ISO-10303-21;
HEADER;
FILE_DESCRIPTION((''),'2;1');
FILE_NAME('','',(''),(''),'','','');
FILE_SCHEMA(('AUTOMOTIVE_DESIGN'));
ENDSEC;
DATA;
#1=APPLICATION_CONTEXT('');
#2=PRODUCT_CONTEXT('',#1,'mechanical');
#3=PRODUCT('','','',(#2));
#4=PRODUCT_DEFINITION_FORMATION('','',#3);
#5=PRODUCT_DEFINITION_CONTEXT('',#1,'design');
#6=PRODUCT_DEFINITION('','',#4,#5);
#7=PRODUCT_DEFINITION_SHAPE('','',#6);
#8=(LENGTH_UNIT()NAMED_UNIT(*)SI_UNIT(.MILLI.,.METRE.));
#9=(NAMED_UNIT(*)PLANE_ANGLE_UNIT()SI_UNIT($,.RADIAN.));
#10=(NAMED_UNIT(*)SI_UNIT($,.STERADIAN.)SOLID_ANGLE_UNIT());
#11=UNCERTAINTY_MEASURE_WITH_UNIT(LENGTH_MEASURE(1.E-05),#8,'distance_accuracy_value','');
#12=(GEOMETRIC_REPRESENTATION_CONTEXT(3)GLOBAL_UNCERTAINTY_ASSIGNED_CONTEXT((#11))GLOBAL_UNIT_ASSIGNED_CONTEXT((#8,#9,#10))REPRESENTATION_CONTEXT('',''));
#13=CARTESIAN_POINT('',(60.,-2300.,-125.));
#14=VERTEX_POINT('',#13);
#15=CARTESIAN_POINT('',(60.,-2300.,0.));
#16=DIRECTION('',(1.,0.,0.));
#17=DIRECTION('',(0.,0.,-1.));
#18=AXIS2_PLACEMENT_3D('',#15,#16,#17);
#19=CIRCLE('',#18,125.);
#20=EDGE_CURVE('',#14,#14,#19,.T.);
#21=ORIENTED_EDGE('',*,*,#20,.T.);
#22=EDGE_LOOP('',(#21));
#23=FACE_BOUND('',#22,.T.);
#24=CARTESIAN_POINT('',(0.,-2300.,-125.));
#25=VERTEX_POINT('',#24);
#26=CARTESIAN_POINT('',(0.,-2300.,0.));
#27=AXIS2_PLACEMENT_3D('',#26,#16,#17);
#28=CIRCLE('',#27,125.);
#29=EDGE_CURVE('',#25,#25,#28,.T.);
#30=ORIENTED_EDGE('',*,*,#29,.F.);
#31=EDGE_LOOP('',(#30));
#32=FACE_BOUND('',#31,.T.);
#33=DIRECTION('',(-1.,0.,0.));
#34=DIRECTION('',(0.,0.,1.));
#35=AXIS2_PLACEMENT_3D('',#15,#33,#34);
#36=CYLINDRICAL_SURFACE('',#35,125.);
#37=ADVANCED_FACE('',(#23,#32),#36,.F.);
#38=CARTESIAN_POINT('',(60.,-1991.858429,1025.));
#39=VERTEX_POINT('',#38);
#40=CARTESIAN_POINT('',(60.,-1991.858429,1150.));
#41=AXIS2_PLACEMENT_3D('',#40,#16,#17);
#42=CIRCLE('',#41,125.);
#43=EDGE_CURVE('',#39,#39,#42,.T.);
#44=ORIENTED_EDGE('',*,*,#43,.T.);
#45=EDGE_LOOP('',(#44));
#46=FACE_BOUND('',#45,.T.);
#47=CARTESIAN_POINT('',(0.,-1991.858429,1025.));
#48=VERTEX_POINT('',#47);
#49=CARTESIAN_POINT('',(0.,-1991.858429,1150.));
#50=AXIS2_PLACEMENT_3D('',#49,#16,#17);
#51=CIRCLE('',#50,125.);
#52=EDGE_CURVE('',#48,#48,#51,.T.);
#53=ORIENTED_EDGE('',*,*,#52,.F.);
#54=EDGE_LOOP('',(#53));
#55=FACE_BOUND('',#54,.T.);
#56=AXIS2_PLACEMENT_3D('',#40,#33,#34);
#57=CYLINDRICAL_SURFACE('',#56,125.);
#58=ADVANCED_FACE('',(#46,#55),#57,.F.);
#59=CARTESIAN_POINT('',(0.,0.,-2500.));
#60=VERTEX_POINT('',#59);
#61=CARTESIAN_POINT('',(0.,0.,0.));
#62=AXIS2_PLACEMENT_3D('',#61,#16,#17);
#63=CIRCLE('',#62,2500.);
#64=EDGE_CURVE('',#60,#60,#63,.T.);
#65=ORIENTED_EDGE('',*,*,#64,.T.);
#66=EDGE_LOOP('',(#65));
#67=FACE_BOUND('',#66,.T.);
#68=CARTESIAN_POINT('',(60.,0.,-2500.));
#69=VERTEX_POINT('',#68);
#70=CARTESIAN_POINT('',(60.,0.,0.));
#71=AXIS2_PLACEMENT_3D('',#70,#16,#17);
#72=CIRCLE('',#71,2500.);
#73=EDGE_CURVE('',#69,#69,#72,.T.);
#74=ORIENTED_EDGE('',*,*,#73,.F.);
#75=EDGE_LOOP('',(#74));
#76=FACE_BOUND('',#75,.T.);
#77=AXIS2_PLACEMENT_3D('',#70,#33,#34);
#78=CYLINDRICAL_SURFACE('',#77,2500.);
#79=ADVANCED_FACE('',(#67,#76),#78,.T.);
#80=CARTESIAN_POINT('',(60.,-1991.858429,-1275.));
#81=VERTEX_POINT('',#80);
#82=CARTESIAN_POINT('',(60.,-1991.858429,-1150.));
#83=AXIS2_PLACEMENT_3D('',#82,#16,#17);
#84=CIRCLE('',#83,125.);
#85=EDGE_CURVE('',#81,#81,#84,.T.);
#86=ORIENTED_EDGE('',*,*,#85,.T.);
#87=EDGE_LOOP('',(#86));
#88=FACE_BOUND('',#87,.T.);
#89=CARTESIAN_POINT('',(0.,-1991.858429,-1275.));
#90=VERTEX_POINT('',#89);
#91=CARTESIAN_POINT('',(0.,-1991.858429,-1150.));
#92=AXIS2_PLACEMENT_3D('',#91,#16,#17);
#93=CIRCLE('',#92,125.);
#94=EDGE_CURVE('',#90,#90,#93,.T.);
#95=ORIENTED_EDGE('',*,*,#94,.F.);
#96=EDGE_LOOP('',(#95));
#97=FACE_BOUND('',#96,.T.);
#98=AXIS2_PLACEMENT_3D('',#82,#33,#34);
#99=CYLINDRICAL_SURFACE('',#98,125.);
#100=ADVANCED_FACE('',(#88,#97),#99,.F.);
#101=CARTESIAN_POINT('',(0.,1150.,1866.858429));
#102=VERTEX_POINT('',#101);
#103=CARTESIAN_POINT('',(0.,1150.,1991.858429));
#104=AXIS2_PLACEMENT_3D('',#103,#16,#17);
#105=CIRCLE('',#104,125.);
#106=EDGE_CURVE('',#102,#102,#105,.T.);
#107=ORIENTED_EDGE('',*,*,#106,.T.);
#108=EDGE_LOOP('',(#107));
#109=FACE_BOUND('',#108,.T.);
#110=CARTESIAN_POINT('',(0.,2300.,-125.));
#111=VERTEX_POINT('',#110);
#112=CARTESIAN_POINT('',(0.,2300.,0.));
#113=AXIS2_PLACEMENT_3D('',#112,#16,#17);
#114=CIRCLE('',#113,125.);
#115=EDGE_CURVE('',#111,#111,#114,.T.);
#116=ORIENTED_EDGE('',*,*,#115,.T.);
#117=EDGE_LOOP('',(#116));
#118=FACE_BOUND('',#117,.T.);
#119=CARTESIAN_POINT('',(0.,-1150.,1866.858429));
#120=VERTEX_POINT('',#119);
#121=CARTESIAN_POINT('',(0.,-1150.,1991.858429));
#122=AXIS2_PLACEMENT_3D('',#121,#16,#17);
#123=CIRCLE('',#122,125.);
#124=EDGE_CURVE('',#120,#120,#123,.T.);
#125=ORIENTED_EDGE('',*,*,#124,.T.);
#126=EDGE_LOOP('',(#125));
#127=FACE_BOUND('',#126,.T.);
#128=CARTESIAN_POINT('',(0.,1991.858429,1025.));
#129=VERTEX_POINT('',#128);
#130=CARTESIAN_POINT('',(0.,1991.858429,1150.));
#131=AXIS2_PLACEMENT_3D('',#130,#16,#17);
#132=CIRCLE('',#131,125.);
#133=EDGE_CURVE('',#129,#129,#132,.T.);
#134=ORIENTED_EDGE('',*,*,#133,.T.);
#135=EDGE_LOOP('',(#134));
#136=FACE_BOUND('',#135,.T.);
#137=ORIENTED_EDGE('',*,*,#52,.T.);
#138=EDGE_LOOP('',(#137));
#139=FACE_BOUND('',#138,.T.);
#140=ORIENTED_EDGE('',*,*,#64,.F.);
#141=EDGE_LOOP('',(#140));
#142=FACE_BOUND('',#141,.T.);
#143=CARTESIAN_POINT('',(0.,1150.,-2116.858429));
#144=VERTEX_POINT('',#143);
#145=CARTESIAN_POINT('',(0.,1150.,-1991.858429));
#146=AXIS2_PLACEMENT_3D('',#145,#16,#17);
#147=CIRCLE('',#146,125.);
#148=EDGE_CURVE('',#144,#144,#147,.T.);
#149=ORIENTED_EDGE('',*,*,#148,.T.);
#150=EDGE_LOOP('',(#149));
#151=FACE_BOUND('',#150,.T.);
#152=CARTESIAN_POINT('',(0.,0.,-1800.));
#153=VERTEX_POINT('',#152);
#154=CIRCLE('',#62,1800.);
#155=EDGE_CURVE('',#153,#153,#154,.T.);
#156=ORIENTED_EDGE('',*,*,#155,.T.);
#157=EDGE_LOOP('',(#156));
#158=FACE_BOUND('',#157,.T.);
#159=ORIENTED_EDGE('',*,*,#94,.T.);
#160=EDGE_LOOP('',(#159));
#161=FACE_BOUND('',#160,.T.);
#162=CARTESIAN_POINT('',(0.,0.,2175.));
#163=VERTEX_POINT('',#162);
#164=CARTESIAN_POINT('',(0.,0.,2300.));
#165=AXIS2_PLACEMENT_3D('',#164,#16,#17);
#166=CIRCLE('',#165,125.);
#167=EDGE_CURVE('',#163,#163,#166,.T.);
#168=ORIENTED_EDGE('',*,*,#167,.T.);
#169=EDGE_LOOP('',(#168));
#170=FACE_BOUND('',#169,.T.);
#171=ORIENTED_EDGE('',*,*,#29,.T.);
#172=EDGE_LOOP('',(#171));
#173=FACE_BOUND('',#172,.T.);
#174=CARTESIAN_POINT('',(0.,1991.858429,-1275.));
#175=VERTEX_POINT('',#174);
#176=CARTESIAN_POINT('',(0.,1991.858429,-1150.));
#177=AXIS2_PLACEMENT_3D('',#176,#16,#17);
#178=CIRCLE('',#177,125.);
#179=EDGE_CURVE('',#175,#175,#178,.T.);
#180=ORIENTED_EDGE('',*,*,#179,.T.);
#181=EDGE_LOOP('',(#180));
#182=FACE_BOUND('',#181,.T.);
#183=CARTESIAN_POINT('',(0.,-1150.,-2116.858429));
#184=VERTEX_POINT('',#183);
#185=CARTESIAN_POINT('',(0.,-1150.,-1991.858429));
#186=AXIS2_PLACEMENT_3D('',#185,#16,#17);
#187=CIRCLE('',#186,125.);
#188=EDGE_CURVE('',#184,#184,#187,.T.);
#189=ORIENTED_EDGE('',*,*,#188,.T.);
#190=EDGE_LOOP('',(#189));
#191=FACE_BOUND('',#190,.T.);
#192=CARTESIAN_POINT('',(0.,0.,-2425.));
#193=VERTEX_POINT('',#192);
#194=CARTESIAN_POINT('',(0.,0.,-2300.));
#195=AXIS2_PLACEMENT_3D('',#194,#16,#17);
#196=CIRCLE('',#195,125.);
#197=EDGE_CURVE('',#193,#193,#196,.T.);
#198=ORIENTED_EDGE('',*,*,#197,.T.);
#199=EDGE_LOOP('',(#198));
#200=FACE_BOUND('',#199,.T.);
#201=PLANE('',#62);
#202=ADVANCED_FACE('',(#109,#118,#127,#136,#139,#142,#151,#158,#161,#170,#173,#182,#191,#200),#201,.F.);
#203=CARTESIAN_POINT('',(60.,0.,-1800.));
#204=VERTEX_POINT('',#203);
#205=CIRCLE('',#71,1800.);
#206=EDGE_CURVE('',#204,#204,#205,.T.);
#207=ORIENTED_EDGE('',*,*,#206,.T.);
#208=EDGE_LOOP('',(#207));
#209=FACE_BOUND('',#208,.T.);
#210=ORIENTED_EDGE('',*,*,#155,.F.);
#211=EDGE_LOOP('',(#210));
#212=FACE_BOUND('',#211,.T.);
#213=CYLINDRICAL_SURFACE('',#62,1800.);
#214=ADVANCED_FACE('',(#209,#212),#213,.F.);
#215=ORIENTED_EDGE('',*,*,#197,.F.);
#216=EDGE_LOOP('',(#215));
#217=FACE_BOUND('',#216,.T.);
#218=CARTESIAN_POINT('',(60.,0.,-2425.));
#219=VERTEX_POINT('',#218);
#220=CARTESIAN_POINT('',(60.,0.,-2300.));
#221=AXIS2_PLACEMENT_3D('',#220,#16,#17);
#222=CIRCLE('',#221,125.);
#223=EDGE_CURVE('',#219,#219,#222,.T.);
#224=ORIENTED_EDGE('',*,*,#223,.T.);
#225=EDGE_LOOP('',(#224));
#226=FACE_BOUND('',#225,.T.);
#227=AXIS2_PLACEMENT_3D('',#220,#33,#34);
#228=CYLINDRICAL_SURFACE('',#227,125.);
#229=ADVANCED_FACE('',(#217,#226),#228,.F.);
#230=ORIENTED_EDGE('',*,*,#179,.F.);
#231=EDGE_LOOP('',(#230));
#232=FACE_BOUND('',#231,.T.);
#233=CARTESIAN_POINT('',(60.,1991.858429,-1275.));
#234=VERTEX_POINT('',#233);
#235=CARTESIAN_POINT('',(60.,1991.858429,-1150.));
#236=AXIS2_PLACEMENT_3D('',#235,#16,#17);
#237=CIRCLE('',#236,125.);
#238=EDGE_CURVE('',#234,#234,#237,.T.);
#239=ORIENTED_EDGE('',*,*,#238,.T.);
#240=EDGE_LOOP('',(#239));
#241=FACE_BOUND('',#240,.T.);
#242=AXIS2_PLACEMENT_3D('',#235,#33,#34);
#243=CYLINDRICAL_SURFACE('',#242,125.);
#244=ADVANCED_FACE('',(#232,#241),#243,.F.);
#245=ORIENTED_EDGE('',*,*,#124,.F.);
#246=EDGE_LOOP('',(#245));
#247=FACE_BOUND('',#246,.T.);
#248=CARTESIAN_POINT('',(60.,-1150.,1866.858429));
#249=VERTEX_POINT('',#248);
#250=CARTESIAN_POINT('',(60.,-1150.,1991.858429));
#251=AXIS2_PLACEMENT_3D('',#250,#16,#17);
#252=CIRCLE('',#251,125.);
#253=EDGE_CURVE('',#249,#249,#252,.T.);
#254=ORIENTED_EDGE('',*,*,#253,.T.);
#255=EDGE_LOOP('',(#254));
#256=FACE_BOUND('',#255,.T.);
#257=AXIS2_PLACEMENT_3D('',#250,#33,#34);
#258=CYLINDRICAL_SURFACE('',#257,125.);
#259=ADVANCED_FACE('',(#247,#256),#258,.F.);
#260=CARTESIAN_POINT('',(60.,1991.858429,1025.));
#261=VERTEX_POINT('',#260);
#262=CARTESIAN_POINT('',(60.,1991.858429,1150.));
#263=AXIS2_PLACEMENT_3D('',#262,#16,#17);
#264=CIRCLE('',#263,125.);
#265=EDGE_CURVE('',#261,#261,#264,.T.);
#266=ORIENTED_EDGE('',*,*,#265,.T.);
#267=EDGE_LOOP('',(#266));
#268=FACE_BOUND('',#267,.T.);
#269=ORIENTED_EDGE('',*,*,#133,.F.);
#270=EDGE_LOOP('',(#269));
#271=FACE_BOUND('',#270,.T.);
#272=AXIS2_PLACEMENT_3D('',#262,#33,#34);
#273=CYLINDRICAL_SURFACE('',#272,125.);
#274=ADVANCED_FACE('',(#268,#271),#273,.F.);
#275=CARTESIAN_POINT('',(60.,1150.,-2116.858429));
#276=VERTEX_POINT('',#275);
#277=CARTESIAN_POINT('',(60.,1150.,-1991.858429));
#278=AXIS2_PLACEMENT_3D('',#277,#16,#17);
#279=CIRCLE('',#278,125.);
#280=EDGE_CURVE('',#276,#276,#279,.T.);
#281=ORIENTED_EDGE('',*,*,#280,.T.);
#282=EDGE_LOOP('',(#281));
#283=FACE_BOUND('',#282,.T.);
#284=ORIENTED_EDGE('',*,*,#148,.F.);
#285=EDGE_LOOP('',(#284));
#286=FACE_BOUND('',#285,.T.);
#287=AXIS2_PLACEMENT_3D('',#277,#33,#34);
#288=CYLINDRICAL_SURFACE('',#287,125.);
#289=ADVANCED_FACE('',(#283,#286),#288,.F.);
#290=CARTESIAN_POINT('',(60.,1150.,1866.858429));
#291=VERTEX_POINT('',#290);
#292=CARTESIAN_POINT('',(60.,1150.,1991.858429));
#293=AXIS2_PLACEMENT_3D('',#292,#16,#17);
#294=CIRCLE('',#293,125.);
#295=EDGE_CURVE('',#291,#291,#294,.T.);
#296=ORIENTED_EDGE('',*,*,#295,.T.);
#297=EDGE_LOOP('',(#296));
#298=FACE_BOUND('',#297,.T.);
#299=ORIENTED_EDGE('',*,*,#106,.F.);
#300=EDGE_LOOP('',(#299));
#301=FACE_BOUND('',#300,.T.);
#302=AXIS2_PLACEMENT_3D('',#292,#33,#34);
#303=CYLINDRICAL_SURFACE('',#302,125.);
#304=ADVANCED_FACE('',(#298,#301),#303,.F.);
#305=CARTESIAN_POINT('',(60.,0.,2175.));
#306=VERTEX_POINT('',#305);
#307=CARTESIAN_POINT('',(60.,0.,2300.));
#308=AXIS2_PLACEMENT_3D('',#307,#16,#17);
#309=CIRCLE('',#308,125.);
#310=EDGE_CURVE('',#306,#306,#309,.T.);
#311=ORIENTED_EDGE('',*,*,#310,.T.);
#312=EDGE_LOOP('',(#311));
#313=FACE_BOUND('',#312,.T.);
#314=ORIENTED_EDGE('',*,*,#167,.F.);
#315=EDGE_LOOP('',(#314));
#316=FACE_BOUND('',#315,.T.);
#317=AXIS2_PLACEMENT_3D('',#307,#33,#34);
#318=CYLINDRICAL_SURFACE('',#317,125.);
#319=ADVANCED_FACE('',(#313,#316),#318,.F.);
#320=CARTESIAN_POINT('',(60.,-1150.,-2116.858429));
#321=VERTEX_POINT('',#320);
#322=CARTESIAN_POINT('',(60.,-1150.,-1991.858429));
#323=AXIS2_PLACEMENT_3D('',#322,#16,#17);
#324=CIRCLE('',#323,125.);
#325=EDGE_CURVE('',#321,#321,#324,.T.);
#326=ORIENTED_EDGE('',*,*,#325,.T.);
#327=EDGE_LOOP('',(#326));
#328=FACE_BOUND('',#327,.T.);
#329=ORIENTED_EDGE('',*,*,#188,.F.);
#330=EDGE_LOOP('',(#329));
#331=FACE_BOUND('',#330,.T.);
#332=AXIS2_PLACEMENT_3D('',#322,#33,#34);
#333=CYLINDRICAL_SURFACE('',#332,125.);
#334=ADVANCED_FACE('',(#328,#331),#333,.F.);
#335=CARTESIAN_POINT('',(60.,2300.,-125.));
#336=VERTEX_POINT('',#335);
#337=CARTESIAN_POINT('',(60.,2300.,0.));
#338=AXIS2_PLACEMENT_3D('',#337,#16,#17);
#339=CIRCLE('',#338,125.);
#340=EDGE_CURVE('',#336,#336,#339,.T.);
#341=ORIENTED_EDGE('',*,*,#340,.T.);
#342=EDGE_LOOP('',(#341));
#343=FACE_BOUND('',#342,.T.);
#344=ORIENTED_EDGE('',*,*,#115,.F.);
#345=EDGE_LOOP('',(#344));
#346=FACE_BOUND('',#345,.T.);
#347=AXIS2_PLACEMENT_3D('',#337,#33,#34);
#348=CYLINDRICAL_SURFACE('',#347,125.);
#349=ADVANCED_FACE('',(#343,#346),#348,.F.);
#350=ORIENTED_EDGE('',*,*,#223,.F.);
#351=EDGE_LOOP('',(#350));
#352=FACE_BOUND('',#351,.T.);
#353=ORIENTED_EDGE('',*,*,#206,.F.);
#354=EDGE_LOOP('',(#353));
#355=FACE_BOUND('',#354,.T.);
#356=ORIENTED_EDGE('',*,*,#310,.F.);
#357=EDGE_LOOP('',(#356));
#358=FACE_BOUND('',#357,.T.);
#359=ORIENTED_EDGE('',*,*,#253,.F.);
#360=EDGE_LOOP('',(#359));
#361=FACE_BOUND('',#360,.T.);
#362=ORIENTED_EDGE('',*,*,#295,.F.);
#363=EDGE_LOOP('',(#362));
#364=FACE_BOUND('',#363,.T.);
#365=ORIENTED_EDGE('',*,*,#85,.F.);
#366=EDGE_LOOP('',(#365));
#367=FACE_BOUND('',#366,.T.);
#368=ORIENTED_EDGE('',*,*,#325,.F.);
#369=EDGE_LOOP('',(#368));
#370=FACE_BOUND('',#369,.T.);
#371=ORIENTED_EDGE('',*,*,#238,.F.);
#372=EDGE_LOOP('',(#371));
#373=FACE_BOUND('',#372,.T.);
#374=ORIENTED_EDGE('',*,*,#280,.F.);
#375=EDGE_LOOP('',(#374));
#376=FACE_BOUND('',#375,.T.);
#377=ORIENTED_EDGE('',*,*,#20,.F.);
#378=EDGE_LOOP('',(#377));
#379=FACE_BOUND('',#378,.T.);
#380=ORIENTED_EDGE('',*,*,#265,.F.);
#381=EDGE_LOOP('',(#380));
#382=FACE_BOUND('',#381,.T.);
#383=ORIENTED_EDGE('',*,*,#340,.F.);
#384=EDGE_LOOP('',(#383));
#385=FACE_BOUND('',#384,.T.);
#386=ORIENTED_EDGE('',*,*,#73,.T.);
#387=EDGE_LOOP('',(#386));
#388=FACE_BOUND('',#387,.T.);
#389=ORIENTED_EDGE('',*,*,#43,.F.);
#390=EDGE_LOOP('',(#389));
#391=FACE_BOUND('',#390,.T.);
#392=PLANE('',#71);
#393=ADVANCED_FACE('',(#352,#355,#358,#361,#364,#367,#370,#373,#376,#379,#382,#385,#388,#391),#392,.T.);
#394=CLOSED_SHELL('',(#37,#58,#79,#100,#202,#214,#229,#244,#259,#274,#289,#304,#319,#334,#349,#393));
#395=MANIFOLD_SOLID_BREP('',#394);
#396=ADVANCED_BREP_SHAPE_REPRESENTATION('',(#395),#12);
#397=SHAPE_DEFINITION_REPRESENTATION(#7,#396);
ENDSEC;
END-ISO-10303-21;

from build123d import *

# Parameters (mm, degrees)
SKETCH1_R           = 2500
SKETCH1_R_2         = 125
BOSS_EXTRUDE1_DEPTH = 60
SKETCH3_R           = 1800
CUT_EXTRUDE1_DEPTH  = 60


with BuildPart() as part:
    # Sketch1 → Boss-Extrude1 (new body)
    with BuildSketch(Plane(origin=(0, 0, 0), x_dir=(0, 0, -1), z_dir=(1, 0, 0))):
        Circle(SKETCH1_R)
        with Locations((0, 2300)):
            Circle(SKETCH1_R_2, mode=Mode.SUBTRACT)
        with Locations((1150, 1991.858428704)):
            Circle(SKETCH1_R_2, mode=Mode.SUBTRACT)
        with Locations((1991.858428704, 1150)):
            Circle(SKETCH1_R_2, mode=Mode.SUBTRACT)
        with Locations((2300, 0)):
            Circle(SKETCH1_R_2, mode=Mode.SUBTRACT)
        with Locations((1991.858428704, -1150)):
            Circle(SKETCH1_R_2, mode=Mode.SUBTRACT)
        with Locations((1150, -1991.858428704)):
            Circle(SKETCH1_R_2, mode=Mode.SUBTRACT)
        with Locations((0, -2300)):
            Circle(SKETCH1_R_2, mode=Mode.SUBTRACT)
        with Locations((-1150, -1991.858428704)):
            Circle(SKETCH1_R_2, mode=Mode.SUBTRACT)
        with Locations((-1991.858428704, -1150)):
            Circle(SKETCH1_R_2, mode=Mode.SUBTRACT)
        with Locations((-2300, 0)):
            Circle(SKETCH1_R_2, mode=Mode.SUBTRACT)
        with Locations((-1991.858428704, 1150)):
            Circle(SKETCH1_R_2, mode=Mode.SUBTRACT)
        with Locations((-1150, 1991.858428704)):
            Circle(SKETCH1_R_2, mode=Mode.SUBTRACT)
    extrude(amount=BOSS_EXTRUDE1_DEPTH)

    # Sketch3 → Cut-Extrude1 (cut)
    with BuildSketch(Plane(origin=(60, 0, 0), x_dir=(0, 0, -1), z_dir=(1, 0, 0))):
        Circle(SKETCH3_R)
    extrude(amount=-CUT_EXTRUDE1_DEPTH, mode=Mode.SUBTRACT)


solid = part.part
